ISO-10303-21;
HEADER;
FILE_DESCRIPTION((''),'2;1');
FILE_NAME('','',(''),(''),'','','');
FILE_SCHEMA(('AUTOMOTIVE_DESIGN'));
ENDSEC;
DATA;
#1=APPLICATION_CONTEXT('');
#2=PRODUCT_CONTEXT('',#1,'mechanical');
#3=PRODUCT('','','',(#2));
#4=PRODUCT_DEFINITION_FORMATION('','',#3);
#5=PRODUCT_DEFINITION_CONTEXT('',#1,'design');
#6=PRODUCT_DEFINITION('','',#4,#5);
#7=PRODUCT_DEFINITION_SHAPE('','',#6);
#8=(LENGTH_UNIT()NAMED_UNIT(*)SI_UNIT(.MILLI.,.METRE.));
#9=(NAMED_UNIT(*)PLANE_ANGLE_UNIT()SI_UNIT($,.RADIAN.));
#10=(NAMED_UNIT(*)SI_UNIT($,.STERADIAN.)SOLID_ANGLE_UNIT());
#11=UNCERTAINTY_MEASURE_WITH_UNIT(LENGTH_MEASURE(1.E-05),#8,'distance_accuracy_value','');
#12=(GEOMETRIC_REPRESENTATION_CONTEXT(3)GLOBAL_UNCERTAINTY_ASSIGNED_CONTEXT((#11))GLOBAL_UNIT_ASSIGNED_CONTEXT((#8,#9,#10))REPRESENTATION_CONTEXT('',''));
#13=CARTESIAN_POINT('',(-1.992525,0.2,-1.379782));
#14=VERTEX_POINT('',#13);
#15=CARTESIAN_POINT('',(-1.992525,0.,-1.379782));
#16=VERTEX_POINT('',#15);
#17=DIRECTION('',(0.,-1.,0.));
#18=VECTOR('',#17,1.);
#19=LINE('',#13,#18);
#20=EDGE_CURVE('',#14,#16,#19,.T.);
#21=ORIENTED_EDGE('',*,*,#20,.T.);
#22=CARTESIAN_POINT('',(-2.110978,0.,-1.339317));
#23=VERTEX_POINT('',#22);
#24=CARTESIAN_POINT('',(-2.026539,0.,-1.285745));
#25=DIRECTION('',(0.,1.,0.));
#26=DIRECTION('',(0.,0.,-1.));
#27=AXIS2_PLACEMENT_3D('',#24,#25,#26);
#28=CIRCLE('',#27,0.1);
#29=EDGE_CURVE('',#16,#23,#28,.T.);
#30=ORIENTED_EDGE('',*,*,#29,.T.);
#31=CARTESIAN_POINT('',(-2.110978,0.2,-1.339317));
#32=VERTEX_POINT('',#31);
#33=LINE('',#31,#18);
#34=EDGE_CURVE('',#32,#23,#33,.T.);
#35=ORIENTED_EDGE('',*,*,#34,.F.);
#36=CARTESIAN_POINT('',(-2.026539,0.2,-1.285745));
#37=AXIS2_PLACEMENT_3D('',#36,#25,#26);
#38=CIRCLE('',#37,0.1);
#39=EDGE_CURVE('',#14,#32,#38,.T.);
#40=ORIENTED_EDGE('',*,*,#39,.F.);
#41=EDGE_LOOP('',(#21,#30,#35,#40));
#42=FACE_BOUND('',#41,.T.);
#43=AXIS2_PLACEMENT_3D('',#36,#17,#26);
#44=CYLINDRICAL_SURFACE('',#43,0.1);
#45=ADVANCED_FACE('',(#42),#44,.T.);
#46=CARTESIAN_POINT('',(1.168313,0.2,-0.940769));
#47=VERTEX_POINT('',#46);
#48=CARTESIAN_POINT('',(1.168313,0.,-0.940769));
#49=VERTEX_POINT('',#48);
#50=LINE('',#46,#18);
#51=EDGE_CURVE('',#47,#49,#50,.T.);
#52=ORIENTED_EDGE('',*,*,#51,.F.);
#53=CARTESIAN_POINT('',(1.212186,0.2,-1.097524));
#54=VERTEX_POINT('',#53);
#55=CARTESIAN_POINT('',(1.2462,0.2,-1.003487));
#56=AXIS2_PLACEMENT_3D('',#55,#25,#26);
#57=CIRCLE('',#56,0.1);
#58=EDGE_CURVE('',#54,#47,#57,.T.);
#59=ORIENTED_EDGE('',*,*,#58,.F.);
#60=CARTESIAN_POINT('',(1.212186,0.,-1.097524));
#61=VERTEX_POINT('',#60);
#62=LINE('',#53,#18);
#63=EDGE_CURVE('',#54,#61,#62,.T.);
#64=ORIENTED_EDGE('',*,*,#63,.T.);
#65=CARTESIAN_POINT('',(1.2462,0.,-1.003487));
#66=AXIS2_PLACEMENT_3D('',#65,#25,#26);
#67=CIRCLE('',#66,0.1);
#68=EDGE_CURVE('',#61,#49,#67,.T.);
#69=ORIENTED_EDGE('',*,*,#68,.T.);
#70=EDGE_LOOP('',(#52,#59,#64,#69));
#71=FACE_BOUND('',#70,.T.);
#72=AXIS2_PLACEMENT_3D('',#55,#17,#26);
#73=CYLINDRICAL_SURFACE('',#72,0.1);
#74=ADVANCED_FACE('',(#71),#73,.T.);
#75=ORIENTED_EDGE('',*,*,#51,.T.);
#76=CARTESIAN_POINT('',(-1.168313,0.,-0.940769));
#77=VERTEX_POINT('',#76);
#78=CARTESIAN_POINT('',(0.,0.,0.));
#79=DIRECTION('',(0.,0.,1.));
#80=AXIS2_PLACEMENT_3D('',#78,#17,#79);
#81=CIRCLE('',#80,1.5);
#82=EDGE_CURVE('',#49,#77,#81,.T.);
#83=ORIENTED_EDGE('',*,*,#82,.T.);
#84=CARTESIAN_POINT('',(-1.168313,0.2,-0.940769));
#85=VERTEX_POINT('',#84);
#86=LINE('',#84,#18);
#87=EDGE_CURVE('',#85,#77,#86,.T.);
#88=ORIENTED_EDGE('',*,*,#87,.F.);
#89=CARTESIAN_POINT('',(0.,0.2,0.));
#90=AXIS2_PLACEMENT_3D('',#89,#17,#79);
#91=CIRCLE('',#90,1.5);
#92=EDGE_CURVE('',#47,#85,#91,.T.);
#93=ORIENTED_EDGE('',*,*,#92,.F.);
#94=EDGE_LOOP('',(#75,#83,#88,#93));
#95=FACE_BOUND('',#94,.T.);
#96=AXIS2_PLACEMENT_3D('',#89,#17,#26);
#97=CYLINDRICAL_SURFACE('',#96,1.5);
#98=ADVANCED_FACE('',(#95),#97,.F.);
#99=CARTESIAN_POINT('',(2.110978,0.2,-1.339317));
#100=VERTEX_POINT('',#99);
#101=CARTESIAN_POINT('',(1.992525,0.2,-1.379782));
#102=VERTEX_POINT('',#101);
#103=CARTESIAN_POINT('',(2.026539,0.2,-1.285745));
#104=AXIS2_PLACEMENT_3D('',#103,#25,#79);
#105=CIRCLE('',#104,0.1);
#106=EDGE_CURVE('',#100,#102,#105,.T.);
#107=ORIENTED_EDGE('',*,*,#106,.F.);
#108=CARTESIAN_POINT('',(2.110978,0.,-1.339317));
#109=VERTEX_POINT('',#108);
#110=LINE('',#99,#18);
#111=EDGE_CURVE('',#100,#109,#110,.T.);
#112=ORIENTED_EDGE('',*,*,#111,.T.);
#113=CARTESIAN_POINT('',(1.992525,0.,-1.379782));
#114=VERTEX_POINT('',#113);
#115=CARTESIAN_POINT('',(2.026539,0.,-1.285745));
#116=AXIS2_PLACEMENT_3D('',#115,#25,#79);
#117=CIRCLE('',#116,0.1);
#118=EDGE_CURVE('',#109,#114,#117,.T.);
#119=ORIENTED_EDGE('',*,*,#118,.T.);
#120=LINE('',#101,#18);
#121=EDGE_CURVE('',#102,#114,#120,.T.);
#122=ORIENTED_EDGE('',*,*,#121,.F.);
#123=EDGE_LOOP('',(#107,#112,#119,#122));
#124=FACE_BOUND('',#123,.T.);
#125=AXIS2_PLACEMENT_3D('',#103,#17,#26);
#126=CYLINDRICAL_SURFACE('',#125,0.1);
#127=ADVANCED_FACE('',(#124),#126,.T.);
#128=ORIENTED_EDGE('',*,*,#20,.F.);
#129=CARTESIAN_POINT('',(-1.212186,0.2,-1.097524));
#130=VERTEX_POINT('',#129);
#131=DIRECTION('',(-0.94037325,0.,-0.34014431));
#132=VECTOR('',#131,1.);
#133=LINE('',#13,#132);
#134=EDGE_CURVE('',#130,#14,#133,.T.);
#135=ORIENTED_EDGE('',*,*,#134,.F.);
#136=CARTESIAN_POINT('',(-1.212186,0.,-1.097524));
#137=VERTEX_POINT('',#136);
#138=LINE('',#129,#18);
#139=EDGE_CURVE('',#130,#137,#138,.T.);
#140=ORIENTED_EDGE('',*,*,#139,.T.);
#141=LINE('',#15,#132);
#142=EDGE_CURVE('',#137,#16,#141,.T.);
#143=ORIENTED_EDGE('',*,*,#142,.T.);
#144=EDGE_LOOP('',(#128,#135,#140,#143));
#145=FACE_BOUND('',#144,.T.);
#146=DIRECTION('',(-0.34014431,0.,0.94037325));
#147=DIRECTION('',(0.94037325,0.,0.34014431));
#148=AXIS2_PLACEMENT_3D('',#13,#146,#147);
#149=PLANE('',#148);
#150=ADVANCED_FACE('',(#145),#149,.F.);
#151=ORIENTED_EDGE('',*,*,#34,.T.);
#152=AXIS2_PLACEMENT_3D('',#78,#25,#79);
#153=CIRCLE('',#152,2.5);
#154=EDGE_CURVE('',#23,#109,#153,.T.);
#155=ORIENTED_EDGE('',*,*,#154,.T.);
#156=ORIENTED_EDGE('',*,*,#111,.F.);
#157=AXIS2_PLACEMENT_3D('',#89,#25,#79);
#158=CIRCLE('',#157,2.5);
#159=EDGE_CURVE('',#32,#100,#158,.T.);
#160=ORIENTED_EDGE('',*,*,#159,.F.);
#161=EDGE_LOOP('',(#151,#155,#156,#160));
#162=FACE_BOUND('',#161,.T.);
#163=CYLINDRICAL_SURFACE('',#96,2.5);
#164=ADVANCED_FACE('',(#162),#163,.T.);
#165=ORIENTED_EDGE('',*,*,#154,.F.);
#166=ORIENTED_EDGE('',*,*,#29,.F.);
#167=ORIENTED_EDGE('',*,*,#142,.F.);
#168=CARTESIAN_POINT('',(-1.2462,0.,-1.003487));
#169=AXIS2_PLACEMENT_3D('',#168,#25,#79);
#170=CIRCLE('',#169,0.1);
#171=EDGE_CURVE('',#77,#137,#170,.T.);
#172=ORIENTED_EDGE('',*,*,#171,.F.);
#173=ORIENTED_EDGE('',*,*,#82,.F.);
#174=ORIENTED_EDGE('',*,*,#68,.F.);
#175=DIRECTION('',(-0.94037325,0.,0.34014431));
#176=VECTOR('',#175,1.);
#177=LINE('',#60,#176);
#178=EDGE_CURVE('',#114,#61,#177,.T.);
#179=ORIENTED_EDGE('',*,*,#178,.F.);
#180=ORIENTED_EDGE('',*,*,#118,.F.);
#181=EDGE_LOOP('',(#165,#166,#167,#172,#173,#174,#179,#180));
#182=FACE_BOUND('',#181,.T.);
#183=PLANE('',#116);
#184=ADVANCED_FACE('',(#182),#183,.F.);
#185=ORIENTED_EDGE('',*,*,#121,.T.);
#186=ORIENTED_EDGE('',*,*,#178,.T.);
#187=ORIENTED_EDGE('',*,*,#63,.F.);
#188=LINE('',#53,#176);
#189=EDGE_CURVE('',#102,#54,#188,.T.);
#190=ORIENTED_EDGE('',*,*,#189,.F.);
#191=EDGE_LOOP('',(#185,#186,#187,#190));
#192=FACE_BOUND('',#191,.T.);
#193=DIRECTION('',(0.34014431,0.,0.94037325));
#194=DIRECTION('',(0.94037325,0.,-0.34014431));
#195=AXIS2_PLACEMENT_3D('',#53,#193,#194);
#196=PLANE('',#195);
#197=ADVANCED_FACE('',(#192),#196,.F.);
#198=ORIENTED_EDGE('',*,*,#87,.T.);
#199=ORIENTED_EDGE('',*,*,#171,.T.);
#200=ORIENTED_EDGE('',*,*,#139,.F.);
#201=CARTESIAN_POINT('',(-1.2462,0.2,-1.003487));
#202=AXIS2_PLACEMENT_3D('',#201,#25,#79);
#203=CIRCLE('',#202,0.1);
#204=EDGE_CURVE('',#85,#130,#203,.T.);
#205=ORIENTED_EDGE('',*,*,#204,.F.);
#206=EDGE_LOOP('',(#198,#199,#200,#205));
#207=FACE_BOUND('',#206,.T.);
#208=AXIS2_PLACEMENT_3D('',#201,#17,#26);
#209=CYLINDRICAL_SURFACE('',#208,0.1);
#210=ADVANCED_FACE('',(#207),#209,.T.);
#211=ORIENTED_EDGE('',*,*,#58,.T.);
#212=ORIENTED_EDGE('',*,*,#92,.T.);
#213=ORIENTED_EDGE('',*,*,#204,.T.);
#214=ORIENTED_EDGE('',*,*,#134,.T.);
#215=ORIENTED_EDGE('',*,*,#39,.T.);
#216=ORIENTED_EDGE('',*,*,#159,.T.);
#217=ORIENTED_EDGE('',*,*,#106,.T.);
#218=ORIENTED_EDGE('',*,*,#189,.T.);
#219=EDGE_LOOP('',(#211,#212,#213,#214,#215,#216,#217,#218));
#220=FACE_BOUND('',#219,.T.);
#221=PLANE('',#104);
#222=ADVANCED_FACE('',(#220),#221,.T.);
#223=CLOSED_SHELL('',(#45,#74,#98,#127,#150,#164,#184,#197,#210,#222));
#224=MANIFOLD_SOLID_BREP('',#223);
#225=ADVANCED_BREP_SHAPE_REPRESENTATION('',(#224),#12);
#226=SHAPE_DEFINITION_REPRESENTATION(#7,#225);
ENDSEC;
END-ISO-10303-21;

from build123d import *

# Parameters (mm, degrees)
SALIENTE_EXTRUIR1_DEPTH = 0.2


with BuildPart() as part:
    # Croquis1 → Saliente-Extruir1 (new body)
    with BuildSketch(Plane(origin=(0, 0, 0), x_dir=(1, 0, 0), z_dir=(0, 1, 0))):
        with BuildLine():
            Line((-1.992524634, 1.379782019), (-1.212185587, 1.097524004))
            ThreePointArc((-1.212185587, 1.097524004), (-1.149900682, 1.030439191), (-1.168312517, 0.940768762))
            ThreePointArc((-1.168312517, 0.940768762), (0, -1.5), (1.168312517, 0.940768762))
            ThreePointArc((1.168312517, 0.940768762), (1.149900682, 1.030439191), (1.212185587, 1.097524004))
            Line((1.212185587, 1.097524004), (1.992524634, 1.379782019))
            ThreePointArc((1.992524634, 1.379782019), (2.058865665, 1.380375507), (2.110978193, 1.339317389))
            ThreePointArc((2.110978193, 1.339317389), (0, -2.5), (-2.110978193, 1.339317389))
            ThreePointArc((-2.110978193, 1.339317389), (-2.058865665, 1.380375507), (-1.992524634, 1.379782019))
        make_face()
    extrude(amount=SALIENTE_EXTRUIR1_DEPTH)


solid = part.part
